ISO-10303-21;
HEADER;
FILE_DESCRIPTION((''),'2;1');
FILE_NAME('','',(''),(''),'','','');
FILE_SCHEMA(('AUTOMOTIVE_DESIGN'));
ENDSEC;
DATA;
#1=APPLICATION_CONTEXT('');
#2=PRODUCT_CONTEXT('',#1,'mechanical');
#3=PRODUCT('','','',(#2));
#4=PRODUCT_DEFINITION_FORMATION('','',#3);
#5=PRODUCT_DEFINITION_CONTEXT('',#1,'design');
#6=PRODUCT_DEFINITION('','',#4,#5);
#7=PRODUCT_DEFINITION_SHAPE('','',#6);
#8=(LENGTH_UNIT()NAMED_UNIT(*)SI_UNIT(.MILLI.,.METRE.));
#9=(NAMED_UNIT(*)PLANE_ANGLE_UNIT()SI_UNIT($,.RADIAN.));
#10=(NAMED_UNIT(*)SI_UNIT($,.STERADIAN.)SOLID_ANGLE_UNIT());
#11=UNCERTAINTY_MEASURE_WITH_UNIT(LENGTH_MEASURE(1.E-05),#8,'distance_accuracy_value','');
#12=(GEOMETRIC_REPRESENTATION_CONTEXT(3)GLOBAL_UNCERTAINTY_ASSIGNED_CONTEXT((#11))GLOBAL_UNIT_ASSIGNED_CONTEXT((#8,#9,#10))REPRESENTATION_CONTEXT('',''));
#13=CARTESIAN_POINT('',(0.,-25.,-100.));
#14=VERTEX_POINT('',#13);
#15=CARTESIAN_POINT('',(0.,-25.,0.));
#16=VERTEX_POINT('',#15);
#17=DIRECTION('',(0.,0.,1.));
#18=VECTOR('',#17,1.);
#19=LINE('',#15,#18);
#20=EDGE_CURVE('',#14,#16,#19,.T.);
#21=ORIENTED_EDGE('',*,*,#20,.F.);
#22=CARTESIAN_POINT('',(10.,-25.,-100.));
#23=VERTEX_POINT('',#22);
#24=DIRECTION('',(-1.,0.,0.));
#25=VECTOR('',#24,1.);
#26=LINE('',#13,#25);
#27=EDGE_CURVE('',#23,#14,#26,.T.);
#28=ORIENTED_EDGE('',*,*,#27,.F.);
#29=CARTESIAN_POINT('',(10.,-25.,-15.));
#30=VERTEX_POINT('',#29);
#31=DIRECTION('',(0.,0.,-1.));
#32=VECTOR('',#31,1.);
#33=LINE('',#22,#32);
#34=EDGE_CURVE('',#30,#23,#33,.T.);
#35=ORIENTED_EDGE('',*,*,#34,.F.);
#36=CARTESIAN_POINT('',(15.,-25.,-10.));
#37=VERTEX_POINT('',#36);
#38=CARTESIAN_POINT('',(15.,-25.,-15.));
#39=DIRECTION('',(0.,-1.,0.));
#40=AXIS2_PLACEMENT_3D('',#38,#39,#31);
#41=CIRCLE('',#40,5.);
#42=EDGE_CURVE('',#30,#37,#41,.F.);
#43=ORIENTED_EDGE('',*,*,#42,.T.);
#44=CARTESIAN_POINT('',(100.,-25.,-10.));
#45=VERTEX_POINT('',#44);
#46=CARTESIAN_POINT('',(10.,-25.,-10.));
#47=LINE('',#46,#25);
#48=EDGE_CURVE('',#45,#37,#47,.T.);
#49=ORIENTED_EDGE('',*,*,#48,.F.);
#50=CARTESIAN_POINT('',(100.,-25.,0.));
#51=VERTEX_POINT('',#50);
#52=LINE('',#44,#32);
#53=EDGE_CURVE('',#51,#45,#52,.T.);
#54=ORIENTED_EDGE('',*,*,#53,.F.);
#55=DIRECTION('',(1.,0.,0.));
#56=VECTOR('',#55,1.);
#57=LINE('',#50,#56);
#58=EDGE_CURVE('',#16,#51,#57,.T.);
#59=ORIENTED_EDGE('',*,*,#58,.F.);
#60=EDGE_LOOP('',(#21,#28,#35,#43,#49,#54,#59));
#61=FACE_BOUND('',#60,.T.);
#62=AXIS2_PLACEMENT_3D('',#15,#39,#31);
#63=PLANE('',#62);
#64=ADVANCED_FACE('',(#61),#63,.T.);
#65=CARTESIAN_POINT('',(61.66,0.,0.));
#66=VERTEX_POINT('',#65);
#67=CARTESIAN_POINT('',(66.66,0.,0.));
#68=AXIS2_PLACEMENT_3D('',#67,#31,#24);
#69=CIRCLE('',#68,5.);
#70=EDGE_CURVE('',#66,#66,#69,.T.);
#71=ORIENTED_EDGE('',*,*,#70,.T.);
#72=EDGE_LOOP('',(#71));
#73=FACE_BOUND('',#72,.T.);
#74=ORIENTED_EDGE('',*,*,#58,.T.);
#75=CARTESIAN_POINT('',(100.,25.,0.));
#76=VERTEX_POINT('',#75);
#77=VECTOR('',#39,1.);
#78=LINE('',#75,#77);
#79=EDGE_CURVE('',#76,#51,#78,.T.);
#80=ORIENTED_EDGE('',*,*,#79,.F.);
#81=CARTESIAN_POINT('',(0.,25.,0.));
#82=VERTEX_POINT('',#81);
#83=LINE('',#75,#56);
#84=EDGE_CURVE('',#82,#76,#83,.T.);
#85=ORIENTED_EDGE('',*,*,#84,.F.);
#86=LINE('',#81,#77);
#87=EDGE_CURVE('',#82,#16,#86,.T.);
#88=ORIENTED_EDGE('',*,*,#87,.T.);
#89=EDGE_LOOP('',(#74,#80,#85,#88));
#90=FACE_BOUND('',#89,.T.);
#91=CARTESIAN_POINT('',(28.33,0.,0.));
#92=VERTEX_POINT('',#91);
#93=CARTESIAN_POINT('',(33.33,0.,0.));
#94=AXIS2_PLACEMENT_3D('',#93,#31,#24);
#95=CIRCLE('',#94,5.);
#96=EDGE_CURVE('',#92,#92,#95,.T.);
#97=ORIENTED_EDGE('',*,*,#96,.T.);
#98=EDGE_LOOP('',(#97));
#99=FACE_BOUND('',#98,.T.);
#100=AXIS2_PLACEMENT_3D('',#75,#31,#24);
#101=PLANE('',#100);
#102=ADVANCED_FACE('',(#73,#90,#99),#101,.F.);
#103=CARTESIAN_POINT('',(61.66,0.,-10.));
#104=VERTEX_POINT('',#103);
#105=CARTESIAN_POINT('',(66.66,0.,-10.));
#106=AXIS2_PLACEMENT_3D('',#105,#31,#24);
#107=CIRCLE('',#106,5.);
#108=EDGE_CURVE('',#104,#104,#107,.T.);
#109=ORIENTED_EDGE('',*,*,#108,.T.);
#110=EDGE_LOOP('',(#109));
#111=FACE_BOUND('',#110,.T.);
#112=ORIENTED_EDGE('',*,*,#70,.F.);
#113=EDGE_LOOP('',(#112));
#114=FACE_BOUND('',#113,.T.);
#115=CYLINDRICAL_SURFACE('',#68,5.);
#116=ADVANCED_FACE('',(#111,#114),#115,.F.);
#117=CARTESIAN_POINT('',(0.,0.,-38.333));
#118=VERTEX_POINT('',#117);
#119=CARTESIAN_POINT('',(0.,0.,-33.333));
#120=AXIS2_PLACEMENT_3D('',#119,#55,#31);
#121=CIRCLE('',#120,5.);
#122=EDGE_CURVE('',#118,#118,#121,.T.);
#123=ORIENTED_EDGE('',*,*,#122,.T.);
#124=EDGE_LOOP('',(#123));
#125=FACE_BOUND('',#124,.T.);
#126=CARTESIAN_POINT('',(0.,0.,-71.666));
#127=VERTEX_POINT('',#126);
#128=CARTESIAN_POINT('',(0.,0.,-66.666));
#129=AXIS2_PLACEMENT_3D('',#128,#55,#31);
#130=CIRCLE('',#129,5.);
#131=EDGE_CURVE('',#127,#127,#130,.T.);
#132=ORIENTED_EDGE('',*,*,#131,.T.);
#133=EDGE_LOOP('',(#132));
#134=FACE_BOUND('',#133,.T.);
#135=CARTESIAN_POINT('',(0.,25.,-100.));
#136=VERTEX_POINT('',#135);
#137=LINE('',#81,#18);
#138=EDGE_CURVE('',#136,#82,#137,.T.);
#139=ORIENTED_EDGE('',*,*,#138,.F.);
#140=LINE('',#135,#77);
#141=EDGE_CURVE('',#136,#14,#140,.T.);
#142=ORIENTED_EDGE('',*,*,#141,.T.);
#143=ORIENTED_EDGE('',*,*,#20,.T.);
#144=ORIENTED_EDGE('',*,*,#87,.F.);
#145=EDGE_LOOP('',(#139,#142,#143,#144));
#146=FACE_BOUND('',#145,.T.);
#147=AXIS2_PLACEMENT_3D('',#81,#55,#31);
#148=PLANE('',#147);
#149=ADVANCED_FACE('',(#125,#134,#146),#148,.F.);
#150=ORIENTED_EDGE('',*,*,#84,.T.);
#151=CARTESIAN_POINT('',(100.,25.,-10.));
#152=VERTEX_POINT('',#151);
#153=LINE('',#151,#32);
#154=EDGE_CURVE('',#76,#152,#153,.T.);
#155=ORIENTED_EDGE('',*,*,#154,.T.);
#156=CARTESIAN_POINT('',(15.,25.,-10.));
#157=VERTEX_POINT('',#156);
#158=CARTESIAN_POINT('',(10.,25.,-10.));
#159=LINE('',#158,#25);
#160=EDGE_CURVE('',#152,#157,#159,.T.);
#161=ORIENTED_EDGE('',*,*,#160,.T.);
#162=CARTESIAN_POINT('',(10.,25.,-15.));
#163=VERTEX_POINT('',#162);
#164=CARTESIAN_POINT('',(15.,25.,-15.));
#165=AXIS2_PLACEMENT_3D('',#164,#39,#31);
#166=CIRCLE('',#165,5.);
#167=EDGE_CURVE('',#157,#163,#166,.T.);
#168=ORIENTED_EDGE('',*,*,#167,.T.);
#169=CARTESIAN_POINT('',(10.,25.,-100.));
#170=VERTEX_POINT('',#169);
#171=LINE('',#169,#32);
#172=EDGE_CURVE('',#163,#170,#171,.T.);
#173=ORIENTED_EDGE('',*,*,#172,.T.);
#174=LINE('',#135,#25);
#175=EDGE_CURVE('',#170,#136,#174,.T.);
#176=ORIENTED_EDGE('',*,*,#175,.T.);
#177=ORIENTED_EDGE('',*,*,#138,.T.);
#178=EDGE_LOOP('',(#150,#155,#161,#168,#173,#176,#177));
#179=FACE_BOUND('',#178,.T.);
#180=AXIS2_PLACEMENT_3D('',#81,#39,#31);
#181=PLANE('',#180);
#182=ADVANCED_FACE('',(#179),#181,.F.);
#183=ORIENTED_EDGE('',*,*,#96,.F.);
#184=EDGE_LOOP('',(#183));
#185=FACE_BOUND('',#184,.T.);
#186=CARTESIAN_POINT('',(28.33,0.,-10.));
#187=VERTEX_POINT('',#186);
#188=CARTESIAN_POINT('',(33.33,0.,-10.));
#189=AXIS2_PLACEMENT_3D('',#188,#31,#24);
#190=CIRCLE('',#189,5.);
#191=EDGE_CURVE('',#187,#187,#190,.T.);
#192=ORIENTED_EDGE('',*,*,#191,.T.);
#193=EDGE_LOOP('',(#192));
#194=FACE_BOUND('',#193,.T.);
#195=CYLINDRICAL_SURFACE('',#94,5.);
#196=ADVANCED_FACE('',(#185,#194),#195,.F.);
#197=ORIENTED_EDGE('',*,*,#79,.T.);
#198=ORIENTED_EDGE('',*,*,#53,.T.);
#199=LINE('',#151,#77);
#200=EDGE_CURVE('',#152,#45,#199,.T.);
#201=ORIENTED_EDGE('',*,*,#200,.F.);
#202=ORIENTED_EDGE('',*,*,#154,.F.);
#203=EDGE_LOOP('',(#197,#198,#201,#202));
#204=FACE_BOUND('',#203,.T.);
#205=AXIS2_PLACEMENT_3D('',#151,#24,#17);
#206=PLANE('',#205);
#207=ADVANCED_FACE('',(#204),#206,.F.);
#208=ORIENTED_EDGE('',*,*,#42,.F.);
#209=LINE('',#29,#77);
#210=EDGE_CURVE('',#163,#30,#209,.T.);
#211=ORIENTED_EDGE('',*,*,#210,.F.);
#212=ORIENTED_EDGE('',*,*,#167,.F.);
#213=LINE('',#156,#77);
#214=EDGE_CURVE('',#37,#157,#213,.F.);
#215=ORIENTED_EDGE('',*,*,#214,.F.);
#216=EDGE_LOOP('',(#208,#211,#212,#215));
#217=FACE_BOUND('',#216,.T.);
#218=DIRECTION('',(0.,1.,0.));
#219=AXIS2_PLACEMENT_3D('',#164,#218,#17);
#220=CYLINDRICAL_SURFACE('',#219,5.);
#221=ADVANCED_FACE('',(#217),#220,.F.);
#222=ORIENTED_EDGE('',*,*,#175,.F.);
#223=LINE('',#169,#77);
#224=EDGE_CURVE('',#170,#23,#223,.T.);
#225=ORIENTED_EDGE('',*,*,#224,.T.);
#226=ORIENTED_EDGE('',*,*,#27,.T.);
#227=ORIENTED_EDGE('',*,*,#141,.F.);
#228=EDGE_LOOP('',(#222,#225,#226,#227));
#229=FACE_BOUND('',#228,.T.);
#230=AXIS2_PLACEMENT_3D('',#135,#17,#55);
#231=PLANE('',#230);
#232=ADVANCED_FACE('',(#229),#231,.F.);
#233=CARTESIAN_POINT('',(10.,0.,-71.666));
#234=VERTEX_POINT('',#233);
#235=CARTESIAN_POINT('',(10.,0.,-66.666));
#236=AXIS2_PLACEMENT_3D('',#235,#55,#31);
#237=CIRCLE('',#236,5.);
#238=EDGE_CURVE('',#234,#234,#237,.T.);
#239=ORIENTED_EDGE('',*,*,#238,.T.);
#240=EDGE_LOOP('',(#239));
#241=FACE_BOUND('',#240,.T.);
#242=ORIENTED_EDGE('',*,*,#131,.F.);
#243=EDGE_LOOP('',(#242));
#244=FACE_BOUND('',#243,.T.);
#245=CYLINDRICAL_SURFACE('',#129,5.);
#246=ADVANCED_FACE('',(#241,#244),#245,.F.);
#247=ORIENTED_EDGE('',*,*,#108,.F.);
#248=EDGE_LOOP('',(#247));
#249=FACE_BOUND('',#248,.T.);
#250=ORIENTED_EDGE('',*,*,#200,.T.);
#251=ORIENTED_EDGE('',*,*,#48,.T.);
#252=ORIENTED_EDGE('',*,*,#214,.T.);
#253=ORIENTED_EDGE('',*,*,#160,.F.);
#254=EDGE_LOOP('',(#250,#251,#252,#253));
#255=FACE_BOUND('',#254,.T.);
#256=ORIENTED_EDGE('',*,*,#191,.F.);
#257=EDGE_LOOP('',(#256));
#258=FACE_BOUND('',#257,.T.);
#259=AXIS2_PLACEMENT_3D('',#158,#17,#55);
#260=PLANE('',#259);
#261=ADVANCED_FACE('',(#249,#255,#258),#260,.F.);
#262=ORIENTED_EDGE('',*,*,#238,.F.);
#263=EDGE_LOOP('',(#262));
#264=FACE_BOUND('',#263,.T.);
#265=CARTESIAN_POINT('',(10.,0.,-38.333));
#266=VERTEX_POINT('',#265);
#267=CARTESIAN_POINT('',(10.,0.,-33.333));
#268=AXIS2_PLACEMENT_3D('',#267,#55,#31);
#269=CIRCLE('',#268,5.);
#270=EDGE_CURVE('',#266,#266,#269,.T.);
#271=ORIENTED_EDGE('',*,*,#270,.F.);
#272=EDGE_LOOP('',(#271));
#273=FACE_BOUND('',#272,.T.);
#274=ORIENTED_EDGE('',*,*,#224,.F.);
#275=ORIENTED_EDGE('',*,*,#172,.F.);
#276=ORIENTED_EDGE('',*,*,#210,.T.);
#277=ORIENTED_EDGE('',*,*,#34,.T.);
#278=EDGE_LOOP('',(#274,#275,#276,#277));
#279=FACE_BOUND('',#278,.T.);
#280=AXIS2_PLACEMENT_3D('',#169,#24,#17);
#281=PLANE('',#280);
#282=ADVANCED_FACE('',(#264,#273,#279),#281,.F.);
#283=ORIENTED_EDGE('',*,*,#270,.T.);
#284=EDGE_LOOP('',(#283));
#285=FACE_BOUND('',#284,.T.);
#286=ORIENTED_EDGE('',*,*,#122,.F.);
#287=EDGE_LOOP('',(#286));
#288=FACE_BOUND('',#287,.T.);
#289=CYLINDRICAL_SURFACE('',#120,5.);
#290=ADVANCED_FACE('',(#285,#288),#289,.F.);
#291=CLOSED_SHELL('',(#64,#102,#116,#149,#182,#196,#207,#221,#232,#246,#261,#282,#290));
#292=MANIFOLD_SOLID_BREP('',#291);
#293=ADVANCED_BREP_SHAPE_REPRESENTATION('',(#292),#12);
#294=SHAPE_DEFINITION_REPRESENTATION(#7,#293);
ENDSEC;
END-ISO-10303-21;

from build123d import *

# Parameters (mm, degrees)
BOSS_EXTRUDE1_DEPTH = 25
FILLET1_R           = 5
SKETCH2_R           = 5
CUT_EXTRUDE1_DEPTH  = 137.839321834
SKETCH3_R           = 5
CUT_EXTRUDE2_DEPTH  = 137.839321834


with BuildPart() as part:
    # Sketch1 → Boss-Extrude1 (new, symmetric)
    with BuildSketch(Plane(origin=(0, 0, 0), x_dir=(1, 0, 0), z_dir=(0, 1, 0))):
        Polygon((0, 0), (0, 100), (10, 100), (10, 10), (100, 10), (100, 0), align=None)
    extrude(amount=BOSS_EXTRUDE1_DEPTH, both=True)

    # Fillet1
    fillet1_edges = [part.edges().sort_by_distance(p)[0] for p in [
        (10, 0, -10),
    ]]
    fillet(fillet1_edges, radius=FILLET1_R)

    # Sketch2 → Cut-Extrude1 (cut, through all)
    with BuildSketch(Plane(origin=(10, 0, 0), x_dir=(0, 0, -1), z_dir=(1, 0, 0))):
        with Locations((33.333, 0)):
            Circle(SKETCH2_R)
        with Locations((66.666, 0)):
            Circle(SKETCH2_R)
    extrude(amount=-CUT_EXTRUDE1_DEPTH, mode=Mode.SUBTRACT)

    # Sketch3 → Cut-Extrude2 (cut, through all)
    with BuildSketch(Plane(origin=(0, 0, -10), x_dir=(-1, 0, 0), z_dir=(0, 0, -1))):
        with Locations((-33.33, 0)):
            Circle(SKETCH3_R)
        with Locations((-66.66, 0)):
            Circle(SKETCH3_R)
    extrude(amount=-CUT_EXTRUDE2_DEPTH, mode=Mode.SUBTRACT)


solid = part.part
